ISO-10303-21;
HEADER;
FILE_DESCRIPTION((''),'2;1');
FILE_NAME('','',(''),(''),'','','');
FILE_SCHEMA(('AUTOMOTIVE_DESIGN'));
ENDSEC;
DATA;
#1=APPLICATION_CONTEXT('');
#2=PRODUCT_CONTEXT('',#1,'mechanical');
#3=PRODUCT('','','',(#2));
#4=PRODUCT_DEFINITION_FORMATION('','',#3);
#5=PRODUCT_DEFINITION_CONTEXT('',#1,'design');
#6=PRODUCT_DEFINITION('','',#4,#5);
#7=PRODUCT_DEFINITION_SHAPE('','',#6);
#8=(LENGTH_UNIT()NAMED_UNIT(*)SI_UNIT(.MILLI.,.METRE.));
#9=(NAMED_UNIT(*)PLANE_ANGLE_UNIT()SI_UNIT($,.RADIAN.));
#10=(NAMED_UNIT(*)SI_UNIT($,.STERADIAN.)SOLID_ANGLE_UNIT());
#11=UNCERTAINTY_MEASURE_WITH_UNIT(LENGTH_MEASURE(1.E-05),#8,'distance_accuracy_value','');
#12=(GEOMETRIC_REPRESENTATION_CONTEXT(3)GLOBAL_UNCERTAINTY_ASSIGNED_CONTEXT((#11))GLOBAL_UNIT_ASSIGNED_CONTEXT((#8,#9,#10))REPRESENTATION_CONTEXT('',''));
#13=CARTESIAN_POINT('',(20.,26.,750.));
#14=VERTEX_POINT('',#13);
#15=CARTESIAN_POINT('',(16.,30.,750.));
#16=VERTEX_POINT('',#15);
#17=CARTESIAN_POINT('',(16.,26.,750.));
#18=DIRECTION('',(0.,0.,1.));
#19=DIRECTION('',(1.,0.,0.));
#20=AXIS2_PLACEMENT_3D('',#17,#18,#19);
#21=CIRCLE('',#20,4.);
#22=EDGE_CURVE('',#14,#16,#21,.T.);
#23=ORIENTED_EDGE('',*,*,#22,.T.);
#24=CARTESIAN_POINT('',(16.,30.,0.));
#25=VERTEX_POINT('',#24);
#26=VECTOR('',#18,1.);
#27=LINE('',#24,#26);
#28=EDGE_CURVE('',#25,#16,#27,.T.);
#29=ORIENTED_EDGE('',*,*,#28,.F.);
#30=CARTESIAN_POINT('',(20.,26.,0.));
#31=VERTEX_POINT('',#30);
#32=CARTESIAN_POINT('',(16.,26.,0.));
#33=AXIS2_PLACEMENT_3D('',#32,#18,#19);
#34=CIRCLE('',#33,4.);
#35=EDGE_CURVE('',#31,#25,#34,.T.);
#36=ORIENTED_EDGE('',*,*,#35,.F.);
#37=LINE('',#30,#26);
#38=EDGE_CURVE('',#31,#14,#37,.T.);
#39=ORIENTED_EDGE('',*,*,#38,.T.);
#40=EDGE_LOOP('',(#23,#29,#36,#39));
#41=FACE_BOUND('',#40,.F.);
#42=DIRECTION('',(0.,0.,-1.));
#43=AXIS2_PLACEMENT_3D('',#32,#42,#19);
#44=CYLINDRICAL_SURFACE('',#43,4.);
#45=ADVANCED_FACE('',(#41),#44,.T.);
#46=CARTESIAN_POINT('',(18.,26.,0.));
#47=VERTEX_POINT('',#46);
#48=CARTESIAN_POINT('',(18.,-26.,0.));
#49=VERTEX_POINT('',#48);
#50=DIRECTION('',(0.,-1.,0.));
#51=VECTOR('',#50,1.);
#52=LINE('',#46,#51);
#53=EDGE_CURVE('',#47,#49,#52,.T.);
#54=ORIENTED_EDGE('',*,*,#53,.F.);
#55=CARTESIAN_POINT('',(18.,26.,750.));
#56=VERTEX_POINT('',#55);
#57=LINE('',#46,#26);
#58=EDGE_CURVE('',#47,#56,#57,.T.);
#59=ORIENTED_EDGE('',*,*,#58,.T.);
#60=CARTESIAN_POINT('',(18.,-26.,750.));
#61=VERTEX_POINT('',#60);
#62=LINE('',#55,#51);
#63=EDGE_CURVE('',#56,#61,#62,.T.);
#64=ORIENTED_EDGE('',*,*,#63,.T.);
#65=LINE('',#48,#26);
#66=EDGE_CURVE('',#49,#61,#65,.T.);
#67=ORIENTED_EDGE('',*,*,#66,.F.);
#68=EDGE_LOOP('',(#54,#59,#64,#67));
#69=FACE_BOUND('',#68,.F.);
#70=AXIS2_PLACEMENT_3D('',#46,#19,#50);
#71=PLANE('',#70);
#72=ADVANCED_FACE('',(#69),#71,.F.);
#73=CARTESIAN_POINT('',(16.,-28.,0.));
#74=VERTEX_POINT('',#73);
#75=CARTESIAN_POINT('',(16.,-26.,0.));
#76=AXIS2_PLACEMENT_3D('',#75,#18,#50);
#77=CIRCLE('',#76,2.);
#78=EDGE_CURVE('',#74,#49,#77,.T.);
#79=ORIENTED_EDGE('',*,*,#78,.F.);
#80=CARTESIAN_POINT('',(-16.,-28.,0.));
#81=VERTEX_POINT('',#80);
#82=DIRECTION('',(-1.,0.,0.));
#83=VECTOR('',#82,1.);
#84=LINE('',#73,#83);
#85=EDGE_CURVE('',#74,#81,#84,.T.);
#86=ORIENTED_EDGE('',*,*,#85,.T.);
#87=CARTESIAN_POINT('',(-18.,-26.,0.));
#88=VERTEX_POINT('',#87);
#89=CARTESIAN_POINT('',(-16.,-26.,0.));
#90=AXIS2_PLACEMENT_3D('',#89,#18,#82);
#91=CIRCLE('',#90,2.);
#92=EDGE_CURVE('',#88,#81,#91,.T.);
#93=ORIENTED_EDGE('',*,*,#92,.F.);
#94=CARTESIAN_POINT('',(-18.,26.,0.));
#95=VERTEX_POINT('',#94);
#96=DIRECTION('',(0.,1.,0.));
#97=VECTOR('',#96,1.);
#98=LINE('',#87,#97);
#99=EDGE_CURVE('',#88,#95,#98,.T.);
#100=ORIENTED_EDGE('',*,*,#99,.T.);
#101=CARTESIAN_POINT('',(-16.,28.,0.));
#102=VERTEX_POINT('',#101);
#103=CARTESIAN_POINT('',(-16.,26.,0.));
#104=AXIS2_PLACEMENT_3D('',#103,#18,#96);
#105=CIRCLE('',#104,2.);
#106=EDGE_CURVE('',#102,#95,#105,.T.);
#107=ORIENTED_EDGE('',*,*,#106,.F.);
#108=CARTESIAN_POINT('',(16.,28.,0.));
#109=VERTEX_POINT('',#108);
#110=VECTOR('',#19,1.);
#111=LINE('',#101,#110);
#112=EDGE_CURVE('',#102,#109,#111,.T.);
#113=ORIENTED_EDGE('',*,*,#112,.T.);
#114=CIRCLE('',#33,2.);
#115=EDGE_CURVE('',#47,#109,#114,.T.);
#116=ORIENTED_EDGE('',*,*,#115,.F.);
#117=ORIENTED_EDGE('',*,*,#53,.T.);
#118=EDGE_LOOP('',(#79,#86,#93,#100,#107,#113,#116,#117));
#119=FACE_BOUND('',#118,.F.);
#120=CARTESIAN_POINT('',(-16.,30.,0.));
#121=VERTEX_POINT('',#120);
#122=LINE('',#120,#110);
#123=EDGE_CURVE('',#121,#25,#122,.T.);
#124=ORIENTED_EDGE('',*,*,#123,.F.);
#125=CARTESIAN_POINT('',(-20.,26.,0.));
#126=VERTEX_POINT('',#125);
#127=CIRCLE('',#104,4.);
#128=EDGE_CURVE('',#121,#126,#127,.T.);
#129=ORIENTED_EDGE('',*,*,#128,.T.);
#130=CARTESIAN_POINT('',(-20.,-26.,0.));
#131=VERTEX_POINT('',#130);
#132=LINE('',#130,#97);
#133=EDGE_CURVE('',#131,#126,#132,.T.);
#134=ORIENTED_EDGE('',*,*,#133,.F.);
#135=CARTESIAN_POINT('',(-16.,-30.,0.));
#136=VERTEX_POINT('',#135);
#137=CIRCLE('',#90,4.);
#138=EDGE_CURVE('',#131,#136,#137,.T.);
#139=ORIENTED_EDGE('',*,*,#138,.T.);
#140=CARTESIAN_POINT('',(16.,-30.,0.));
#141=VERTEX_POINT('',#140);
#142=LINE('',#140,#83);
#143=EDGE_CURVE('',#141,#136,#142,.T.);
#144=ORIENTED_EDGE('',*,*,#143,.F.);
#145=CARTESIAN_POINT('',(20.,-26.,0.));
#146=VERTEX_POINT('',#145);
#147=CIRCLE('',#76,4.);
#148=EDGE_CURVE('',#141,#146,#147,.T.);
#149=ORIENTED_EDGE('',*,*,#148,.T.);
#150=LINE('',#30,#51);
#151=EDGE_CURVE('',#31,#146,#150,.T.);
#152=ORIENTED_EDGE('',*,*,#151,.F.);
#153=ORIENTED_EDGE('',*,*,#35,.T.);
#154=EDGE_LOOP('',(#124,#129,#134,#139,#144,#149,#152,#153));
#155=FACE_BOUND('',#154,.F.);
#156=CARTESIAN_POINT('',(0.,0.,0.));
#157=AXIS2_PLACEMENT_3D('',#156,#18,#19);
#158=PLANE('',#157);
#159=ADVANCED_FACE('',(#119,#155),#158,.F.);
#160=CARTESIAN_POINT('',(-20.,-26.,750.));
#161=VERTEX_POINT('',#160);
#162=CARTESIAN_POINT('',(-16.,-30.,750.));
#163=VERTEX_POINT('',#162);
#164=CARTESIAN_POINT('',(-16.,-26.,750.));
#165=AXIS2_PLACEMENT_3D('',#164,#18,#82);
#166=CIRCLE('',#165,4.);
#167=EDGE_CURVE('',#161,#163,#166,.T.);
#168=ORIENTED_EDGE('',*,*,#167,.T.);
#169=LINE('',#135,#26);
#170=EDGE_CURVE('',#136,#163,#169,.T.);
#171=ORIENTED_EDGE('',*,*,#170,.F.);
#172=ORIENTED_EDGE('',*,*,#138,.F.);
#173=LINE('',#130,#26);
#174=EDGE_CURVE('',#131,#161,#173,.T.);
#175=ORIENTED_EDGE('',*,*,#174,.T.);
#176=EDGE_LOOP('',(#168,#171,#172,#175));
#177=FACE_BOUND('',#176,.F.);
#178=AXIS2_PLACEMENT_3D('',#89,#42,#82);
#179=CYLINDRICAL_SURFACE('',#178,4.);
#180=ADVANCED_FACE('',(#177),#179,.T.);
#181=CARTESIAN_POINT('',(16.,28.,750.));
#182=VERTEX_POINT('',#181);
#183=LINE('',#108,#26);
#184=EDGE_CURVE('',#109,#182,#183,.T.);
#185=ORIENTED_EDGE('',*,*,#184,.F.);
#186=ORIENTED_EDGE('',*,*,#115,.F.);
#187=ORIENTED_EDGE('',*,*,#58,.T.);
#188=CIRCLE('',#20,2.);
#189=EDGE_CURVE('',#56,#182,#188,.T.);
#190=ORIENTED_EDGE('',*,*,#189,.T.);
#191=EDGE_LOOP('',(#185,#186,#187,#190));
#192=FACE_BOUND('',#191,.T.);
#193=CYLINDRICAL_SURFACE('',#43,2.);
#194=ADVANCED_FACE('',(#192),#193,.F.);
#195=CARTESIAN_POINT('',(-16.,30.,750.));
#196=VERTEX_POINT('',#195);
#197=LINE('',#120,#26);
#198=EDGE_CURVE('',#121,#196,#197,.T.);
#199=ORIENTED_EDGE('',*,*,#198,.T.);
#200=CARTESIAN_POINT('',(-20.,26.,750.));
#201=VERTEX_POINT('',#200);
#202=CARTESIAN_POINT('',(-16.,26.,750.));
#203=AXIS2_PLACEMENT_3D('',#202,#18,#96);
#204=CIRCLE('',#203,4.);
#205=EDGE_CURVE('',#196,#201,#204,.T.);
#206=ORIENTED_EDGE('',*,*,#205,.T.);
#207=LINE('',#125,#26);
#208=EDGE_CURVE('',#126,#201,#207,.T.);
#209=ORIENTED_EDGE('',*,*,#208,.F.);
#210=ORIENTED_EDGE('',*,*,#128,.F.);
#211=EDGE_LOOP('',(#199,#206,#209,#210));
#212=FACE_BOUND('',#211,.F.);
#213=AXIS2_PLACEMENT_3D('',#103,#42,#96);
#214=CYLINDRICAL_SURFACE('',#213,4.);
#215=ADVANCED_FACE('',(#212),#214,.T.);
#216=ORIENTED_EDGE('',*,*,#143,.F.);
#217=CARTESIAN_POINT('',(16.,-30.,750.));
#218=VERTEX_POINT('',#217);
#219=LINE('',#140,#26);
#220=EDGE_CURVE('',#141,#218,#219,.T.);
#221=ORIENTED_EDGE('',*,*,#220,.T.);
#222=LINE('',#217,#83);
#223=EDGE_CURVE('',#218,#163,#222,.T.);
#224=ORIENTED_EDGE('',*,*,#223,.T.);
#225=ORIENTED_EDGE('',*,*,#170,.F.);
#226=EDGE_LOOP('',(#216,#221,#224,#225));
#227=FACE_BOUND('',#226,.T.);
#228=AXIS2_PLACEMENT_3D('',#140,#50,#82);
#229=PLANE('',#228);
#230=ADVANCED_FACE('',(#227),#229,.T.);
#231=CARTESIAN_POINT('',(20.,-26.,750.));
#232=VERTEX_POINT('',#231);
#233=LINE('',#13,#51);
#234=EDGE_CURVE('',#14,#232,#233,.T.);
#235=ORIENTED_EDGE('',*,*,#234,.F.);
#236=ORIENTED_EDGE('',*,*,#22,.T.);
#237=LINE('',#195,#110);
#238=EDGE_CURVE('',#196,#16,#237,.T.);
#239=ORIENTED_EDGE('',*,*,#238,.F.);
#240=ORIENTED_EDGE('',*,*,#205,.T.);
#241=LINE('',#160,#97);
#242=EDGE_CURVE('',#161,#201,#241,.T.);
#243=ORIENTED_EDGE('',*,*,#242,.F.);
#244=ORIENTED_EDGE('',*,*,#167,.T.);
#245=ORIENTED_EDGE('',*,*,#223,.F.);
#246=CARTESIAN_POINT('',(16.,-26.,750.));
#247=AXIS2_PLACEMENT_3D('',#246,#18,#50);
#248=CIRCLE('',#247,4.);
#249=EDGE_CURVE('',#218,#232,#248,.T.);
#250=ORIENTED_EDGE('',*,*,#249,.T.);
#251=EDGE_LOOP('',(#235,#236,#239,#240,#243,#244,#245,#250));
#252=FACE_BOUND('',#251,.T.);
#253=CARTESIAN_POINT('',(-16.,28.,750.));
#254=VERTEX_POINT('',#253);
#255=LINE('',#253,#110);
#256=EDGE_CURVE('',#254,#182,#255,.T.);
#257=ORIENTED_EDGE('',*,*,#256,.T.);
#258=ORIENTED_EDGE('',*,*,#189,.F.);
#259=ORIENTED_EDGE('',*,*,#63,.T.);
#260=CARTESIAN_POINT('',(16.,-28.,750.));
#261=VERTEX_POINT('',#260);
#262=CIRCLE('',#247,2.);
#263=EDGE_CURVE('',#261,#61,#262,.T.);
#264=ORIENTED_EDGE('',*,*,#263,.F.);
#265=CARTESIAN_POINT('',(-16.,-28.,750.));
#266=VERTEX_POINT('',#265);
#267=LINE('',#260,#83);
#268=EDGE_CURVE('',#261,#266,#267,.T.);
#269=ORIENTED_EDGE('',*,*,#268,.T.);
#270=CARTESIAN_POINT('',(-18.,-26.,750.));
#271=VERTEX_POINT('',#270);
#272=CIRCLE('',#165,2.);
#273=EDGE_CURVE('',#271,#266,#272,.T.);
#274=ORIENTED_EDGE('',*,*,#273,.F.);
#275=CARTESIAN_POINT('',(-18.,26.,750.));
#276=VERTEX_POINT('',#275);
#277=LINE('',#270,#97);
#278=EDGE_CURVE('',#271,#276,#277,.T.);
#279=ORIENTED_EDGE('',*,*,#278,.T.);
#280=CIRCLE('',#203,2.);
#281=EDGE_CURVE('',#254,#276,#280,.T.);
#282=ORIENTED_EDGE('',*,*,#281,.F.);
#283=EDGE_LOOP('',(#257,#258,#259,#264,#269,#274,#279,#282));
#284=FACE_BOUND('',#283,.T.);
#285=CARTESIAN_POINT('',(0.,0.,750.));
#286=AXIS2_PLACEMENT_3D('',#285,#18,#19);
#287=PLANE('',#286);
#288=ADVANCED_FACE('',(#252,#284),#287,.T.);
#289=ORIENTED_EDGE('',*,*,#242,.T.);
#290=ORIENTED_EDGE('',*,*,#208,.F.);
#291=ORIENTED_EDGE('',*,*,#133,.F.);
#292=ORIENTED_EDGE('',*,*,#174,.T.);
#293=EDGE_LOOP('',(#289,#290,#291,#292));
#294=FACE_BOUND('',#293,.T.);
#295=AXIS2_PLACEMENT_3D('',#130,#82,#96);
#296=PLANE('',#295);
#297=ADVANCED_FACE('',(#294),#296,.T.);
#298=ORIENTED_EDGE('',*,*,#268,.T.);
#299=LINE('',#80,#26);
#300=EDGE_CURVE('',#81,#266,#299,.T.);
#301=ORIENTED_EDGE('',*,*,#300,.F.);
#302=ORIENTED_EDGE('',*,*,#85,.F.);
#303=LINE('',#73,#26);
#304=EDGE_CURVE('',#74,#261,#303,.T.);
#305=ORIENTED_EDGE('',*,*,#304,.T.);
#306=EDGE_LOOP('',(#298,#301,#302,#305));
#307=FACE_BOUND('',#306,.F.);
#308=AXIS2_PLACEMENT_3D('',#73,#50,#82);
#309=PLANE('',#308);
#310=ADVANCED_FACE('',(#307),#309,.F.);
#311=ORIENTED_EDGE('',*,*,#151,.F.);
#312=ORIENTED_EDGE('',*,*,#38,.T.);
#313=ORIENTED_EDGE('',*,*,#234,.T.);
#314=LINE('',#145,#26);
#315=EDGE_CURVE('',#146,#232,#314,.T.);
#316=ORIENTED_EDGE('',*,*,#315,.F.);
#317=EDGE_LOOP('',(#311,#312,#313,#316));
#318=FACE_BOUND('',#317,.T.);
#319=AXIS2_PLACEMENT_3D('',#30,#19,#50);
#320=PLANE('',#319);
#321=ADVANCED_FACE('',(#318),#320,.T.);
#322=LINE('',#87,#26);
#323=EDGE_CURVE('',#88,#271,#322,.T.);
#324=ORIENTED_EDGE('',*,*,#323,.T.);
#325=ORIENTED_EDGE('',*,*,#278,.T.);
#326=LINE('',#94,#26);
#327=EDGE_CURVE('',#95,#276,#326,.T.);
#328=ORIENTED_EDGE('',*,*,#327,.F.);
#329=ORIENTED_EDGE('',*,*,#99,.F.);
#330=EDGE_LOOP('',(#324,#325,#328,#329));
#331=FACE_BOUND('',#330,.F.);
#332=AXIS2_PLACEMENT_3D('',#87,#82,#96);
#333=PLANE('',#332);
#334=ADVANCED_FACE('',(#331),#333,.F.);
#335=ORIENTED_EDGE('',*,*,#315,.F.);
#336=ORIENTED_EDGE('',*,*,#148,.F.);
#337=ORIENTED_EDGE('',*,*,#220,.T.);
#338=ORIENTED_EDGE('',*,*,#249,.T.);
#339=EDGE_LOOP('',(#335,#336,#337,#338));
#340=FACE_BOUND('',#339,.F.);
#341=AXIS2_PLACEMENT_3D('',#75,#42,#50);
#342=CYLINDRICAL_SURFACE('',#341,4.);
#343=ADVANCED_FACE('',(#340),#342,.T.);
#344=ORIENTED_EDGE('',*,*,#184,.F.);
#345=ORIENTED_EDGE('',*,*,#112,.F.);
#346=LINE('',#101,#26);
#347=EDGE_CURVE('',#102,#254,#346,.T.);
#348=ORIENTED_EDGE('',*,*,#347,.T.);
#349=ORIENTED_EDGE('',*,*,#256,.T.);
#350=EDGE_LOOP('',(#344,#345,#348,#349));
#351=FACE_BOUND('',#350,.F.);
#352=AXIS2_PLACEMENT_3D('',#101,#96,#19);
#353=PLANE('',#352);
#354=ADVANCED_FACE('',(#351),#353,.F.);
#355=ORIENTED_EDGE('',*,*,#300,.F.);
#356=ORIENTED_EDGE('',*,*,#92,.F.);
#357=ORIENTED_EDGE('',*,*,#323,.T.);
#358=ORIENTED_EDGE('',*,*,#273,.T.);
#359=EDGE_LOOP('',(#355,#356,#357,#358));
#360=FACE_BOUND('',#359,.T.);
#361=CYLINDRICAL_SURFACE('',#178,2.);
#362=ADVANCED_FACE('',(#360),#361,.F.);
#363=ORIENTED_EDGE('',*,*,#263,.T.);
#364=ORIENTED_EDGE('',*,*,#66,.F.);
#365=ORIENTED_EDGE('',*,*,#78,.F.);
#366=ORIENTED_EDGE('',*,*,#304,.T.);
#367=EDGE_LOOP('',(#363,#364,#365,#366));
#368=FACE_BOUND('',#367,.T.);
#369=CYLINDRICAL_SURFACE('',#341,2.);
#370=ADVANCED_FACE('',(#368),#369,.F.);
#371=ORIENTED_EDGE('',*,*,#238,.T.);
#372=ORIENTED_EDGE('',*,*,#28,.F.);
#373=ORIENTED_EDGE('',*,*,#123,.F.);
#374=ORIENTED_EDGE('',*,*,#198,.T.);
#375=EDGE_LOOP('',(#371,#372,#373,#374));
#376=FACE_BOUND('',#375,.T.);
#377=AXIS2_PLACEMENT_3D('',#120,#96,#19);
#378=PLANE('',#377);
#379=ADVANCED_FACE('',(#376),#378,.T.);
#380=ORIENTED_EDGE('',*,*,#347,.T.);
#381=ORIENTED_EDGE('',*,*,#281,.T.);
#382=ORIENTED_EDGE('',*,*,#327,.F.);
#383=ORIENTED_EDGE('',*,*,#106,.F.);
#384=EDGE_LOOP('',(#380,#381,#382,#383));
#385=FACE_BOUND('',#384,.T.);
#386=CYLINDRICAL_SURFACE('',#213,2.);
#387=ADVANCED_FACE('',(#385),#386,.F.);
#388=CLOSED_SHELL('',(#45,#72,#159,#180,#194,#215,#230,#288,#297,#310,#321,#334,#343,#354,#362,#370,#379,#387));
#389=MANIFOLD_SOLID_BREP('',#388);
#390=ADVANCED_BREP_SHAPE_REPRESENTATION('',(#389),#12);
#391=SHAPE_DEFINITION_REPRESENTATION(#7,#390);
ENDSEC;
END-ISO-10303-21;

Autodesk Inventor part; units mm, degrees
ref_plane "YZ Plane" through (0, 0, 0) normal (1, 0, 0) x (0, 1, 0)
ref_plane "Start Plane" through (0, 0, 0) normal (0, 0, 1) x (1, 0, 0)
ref_plane "End Plane" through (0, 0, 750) normal (0, 0, 1) x (1, 0, 0)
sketch "Sketch" plane through (0, 0, 0) normal (0, 0, 1) x (1, 0, 0)
  line L0 (-20, -26) -> (-20, 26)
  line L1 (-16, 30) -> (16, 30)
  line L2 (20, 26) -> (20, -26)
  line L3 (16, -30) -> (-16, -30)
  arc A0 (-20, -26) -> (-16, -30) centre (-16, -26) ccw
  arc A1 (20, 26) -> (16, 30) centre (16, 26) ccw
  arc A2 (-16, 30) -> (-20, 26) centre (-16, 26) ccw
  arc A3 (16, -30) -> (20, -26) centre (16, -26) ccw
  arc A4 (-16, 28) -> (-18, 26) centre (-16, 26) ccw
  line L4 (-16, 28) -> (16, 28)
  arc A5 (18, 26) -> (16, 28) centre (16, 26) ccw
  line L5 (18, 26) -> (18, -26)
  arc A6 (16, -28) -> (18, -26) centre (16, -26) ccw
  line L6 (16, -28) -> (-16, -28)
  arc A7 (-18, -26) -> (-16, -28) centre (-16, -26) ccw
  line L7 (-18, -26) -> (-18, 26)
  line L8 (0, 43.1598) -> (0, -43.1598) construction
  line L9 (-29.1598, 0) -> (29.1598, 0) construction
  dimension "d7" = 4
  dimension "d9" = 40
  dimension "d11" = 60
  dimension "d12" = 2
  dimension "d15" = 20
  dimension "d16" = 30
extrude "Body" add sketch "Sketch" along normal up to surface (750 mm away) from surface at 0
sketch "Sketch3" plane through (0, 0, 0) normal (0, 0, 1) x (1, 0, 0)
  line L0 (0, 0) -> (10, 0)
ref_plane "Work Plane3" through (0, 0, 0) normal (0, -1, 0) x (1, 0, 0)
sketch "Sketch4" plane through (0, 0, 0) normal (0, -1, 0) x (1, 0, 0)
  line L0 (-2, 0) -> (12, 0) projected
  line L1 (-2, 750) -> (12, 750) projected
  dimension "d18" = 750
equation "\"d7\" = G_IR"
equation "\"d9\" = G_W"
equation "\"d11\" = G_H"
equation "\"d12\" = G_T"
equation "\"d15\" = 0.5 * d9"
equation "\"d16\" = 0.5 * d11"
equation "\"d3\" = G_L"
equation "\"G_W\" = 40"
equation "\"G_H\" = 60"
equation "\"G_T\" = 2"
equation "\"G_IR\" = 4"
equation "\"G_L\" = d18"
equation "\"G_OFFSET_START\" = 0"
equation "\"G_OFFSET_END\" = 0"
properties part number "ISO 10799-2 - 60x40x2 - 750" material "Steel, Mild"
